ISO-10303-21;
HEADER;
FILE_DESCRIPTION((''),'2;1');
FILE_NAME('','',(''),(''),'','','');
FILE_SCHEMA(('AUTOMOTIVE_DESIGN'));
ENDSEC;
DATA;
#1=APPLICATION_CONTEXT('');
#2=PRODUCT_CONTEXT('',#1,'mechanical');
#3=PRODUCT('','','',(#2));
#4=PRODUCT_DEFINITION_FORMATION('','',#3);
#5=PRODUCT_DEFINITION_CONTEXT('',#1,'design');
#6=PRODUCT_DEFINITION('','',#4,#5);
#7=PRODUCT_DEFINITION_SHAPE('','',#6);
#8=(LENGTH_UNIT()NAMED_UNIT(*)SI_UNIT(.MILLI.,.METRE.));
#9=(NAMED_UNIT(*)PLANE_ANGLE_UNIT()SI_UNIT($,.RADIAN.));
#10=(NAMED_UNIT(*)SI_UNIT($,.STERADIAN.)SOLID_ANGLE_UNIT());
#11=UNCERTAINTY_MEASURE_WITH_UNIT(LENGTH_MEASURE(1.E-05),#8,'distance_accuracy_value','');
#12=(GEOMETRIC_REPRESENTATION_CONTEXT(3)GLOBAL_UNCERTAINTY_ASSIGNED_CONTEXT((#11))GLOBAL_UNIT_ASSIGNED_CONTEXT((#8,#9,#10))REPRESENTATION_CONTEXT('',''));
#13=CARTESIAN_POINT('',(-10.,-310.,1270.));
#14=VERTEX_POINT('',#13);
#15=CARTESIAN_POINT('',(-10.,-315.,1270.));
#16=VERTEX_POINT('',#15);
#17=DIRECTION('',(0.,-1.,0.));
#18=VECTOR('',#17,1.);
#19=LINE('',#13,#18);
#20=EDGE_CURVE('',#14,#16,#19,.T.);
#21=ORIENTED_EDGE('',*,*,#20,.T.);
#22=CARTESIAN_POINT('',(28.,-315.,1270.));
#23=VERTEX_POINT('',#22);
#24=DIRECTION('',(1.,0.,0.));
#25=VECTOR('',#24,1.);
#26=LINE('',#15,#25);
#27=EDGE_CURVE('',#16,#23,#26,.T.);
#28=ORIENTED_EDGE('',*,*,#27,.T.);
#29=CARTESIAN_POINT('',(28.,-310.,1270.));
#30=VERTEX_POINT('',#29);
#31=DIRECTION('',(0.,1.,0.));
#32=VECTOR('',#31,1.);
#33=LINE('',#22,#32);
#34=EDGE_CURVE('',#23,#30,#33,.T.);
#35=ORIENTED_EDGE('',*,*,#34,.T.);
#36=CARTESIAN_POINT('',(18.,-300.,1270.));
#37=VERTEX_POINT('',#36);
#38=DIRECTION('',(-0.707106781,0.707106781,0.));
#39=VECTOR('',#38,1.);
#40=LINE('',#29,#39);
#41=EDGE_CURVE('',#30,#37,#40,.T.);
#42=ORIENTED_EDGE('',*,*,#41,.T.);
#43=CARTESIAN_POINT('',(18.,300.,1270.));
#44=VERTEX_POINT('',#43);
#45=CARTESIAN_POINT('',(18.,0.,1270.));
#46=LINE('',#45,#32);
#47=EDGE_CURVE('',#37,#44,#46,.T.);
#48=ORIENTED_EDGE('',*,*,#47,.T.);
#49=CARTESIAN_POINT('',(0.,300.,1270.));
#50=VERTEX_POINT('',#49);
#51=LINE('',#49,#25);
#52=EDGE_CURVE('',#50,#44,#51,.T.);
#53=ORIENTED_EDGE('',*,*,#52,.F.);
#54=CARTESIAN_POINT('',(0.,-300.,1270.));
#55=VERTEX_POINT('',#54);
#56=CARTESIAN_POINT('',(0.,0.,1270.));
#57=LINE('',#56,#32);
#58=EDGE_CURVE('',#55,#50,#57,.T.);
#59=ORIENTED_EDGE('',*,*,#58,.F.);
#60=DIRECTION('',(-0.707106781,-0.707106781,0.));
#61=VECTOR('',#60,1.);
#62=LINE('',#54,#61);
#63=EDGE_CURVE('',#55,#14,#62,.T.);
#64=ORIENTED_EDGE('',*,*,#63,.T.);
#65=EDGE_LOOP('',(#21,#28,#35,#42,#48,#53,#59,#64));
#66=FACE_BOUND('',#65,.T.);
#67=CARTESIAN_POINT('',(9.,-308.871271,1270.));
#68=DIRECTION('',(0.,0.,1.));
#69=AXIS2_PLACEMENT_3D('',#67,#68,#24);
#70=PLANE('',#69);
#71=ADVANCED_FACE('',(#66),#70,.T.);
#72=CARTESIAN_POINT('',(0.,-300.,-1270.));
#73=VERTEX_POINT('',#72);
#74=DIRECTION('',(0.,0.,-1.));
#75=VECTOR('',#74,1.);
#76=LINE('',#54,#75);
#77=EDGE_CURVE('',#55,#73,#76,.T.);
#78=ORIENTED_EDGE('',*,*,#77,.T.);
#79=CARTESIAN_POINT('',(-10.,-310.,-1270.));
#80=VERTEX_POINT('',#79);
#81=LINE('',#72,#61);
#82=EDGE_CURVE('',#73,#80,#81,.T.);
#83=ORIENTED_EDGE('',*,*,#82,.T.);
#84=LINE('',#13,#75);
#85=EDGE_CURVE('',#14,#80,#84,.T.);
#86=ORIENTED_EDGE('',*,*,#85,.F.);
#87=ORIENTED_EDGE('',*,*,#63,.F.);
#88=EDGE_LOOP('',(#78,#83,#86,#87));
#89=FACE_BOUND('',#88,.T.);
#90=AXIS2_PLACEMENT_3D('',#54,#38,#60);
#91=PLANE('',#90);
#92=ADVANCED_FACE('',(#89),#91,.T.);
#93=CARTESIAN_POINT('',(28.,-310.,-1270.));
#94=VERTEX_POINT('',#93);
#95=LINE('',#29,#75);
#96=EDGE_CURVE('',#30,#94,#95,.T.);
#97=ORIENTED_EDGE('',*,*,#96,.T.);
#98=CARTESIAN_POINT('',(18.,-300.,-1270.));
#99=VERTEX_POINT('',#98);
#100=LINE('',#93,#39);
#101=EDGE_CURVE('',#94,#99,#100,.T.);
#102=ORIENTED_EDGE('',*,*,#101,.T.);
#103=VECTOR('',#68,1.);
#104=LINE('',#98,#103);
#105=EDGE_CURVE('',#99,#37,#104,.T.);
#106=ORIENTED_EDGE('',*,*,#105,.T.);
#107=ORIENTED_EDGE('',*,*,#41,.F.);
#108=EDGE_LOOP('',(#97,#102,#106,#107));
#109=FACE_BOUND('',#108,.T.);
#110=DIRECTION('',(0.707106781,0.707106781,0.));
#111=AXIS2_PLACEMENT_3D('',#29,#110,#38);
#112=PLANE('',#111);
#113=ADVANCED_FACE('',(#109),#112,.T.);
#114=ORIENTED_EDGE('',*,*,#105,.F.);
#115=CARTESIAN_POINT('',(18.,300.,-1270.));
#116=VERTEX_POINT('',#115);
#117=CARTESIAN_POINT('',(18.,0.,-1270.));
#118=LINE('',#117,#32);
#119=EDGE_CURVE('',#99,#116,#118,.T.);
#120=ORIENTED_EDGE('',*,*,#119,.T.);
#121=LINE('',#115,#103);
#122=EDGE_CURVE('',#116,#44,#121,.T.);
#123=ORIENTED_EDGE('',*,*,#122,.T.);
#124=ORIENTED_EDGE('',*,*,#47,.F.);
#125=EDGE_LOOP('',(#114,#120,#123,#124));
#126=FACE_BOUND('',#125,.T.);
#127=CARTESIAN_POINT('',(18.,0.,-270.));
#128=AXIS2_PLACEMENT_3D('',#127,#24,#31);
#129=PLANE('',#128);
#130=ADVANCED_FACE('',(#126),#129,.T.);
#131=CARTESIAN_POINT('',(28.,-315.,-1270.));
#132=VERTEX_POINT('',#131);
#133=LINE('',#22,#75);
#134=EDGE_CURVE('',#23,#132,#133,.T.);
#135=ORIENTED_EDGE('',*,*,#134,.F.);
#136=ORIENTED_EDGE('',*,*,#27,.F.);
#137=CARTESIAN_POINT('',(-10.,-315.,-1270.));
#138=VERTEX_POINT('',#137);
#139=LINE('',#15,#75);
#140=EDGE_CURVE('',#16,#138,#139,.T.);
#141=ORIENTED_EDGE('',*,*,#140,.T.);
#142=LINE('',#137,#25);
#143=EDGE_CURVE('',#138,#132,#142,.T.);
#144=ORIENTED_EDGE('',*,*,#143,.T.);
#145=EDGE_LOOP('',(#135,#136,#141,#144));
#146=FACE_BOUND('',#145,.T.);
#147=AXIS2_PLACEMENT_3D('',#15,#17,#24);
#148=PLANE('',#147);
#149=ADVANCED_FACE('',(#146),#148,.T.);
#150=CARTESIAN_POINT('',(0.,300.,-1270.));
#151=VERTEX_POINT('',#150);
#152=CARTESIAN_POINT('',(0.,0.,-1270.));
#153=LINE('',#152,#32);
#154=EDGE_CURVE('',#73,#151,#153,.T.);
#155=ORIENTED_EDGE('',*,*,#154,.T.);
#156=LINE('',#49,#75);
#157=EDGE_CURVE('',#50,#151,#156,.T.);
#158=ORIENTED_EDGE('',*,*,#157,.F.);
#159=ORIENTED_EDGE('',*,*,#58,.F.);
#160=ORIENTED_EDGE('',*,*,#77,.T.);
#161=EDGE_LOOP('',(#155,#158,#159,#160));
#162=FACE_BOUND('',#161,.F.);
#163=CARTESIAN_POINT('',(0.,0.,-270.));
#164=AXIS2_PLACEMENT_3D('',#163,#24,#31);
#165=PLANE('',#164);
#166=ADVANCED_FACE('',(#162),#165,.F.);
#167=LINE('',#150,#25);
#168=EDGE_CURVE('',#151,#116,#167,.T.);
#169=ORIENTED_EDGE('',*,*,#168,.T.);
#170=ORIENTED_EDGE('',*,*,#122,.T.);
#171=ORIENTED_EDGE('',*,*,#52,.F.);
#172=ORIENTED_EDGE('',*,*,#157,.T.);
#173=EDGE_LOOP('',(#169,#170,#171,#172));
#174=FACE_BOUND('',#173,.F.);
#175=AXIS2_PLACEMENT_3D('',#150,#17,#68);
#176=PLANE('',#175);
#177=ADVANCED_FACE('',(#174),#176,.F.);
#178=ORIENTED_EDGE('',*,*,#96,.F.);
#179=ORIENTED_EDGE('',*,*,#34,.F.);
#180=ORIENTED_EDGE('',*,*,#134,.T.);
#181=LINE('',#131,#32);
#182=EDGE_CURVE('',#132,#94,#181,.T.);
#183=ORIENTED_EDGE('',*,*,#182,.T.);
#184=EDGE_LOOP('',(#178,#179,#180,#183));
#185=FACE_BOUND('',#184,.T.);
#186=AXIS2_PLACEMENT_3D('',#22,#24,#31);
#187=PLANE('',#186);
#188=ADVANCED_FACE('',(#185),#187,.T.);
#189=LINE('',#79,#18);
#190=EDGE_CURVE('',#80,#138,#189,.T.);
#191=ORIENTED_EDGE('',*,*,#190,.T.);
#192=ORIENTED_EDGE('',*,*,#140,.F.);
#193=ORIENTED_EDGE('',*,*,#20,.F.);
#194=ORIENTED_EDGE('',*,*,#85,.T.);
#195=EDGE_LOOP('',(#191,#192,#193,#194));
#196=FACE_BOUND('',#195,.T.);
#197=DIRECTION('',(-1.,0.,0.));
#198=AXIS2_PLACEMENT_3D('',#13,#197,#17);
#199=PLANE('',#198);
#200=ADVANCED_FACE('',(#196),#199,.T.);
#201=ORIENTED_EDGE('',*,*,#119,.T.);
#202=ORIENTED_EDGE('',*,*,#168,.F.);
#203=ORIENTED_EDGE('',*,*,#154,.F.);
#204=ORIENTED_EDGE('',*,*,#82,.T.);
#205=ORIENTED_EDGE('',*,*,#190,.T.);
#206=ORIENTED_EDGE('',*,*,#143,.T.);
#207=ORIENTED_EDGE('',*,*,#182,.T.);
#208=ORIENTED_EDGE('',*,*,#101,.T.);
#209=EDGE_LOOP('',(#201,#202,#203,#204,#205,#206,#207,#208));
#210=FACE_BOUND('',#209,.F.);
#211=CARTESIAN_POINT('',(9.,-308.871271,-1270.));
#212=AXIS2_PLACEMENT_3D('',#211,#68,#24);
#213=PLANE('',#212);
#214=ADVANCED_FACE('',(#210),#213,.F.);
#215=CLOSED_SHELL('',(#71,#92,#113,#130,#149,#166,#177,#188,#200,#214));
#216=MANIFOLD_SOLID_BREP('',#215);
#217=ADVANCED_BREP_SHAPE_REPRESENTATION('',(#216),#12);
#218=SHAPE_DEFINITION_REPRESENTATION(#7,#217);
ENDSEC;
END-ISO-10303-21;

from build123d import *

# Parameters (mm, degrees)
F0_W     = 600
F0_H     = 540
F1_DEPTH = 18
F0_H_2   = 2000
F2_DEPTH = 18
F4_DEPTH = 2540


with BuildPart() as f1:
    # F0 (on Right) → F1 (new body)
    with BuildSketch(Plane.YZ):
        with Locations((0, 1000)):
            Rectangle(F0_W, F0_H)
    extrude(amount=F1_DEPTH)

    # F0 (on Right) → F2 (join)
    with BuildSketch(Plane.YZ):
        with Locations((0, -270)):
            Rectangle(F0_W, F0_H_2)
    extrude(amount=F2_DEPTH)

    # F3 (on face) → F4 (join)
    with BuildSketch(Plane.XY.offset(1270)):
        Polygon((18, -300), (0, -300), (-10, -310), (-10, -315), (28, -315), (28, -310), align=None)
    extrude(amount=-F4_DEPTH)


solid = f1.part
